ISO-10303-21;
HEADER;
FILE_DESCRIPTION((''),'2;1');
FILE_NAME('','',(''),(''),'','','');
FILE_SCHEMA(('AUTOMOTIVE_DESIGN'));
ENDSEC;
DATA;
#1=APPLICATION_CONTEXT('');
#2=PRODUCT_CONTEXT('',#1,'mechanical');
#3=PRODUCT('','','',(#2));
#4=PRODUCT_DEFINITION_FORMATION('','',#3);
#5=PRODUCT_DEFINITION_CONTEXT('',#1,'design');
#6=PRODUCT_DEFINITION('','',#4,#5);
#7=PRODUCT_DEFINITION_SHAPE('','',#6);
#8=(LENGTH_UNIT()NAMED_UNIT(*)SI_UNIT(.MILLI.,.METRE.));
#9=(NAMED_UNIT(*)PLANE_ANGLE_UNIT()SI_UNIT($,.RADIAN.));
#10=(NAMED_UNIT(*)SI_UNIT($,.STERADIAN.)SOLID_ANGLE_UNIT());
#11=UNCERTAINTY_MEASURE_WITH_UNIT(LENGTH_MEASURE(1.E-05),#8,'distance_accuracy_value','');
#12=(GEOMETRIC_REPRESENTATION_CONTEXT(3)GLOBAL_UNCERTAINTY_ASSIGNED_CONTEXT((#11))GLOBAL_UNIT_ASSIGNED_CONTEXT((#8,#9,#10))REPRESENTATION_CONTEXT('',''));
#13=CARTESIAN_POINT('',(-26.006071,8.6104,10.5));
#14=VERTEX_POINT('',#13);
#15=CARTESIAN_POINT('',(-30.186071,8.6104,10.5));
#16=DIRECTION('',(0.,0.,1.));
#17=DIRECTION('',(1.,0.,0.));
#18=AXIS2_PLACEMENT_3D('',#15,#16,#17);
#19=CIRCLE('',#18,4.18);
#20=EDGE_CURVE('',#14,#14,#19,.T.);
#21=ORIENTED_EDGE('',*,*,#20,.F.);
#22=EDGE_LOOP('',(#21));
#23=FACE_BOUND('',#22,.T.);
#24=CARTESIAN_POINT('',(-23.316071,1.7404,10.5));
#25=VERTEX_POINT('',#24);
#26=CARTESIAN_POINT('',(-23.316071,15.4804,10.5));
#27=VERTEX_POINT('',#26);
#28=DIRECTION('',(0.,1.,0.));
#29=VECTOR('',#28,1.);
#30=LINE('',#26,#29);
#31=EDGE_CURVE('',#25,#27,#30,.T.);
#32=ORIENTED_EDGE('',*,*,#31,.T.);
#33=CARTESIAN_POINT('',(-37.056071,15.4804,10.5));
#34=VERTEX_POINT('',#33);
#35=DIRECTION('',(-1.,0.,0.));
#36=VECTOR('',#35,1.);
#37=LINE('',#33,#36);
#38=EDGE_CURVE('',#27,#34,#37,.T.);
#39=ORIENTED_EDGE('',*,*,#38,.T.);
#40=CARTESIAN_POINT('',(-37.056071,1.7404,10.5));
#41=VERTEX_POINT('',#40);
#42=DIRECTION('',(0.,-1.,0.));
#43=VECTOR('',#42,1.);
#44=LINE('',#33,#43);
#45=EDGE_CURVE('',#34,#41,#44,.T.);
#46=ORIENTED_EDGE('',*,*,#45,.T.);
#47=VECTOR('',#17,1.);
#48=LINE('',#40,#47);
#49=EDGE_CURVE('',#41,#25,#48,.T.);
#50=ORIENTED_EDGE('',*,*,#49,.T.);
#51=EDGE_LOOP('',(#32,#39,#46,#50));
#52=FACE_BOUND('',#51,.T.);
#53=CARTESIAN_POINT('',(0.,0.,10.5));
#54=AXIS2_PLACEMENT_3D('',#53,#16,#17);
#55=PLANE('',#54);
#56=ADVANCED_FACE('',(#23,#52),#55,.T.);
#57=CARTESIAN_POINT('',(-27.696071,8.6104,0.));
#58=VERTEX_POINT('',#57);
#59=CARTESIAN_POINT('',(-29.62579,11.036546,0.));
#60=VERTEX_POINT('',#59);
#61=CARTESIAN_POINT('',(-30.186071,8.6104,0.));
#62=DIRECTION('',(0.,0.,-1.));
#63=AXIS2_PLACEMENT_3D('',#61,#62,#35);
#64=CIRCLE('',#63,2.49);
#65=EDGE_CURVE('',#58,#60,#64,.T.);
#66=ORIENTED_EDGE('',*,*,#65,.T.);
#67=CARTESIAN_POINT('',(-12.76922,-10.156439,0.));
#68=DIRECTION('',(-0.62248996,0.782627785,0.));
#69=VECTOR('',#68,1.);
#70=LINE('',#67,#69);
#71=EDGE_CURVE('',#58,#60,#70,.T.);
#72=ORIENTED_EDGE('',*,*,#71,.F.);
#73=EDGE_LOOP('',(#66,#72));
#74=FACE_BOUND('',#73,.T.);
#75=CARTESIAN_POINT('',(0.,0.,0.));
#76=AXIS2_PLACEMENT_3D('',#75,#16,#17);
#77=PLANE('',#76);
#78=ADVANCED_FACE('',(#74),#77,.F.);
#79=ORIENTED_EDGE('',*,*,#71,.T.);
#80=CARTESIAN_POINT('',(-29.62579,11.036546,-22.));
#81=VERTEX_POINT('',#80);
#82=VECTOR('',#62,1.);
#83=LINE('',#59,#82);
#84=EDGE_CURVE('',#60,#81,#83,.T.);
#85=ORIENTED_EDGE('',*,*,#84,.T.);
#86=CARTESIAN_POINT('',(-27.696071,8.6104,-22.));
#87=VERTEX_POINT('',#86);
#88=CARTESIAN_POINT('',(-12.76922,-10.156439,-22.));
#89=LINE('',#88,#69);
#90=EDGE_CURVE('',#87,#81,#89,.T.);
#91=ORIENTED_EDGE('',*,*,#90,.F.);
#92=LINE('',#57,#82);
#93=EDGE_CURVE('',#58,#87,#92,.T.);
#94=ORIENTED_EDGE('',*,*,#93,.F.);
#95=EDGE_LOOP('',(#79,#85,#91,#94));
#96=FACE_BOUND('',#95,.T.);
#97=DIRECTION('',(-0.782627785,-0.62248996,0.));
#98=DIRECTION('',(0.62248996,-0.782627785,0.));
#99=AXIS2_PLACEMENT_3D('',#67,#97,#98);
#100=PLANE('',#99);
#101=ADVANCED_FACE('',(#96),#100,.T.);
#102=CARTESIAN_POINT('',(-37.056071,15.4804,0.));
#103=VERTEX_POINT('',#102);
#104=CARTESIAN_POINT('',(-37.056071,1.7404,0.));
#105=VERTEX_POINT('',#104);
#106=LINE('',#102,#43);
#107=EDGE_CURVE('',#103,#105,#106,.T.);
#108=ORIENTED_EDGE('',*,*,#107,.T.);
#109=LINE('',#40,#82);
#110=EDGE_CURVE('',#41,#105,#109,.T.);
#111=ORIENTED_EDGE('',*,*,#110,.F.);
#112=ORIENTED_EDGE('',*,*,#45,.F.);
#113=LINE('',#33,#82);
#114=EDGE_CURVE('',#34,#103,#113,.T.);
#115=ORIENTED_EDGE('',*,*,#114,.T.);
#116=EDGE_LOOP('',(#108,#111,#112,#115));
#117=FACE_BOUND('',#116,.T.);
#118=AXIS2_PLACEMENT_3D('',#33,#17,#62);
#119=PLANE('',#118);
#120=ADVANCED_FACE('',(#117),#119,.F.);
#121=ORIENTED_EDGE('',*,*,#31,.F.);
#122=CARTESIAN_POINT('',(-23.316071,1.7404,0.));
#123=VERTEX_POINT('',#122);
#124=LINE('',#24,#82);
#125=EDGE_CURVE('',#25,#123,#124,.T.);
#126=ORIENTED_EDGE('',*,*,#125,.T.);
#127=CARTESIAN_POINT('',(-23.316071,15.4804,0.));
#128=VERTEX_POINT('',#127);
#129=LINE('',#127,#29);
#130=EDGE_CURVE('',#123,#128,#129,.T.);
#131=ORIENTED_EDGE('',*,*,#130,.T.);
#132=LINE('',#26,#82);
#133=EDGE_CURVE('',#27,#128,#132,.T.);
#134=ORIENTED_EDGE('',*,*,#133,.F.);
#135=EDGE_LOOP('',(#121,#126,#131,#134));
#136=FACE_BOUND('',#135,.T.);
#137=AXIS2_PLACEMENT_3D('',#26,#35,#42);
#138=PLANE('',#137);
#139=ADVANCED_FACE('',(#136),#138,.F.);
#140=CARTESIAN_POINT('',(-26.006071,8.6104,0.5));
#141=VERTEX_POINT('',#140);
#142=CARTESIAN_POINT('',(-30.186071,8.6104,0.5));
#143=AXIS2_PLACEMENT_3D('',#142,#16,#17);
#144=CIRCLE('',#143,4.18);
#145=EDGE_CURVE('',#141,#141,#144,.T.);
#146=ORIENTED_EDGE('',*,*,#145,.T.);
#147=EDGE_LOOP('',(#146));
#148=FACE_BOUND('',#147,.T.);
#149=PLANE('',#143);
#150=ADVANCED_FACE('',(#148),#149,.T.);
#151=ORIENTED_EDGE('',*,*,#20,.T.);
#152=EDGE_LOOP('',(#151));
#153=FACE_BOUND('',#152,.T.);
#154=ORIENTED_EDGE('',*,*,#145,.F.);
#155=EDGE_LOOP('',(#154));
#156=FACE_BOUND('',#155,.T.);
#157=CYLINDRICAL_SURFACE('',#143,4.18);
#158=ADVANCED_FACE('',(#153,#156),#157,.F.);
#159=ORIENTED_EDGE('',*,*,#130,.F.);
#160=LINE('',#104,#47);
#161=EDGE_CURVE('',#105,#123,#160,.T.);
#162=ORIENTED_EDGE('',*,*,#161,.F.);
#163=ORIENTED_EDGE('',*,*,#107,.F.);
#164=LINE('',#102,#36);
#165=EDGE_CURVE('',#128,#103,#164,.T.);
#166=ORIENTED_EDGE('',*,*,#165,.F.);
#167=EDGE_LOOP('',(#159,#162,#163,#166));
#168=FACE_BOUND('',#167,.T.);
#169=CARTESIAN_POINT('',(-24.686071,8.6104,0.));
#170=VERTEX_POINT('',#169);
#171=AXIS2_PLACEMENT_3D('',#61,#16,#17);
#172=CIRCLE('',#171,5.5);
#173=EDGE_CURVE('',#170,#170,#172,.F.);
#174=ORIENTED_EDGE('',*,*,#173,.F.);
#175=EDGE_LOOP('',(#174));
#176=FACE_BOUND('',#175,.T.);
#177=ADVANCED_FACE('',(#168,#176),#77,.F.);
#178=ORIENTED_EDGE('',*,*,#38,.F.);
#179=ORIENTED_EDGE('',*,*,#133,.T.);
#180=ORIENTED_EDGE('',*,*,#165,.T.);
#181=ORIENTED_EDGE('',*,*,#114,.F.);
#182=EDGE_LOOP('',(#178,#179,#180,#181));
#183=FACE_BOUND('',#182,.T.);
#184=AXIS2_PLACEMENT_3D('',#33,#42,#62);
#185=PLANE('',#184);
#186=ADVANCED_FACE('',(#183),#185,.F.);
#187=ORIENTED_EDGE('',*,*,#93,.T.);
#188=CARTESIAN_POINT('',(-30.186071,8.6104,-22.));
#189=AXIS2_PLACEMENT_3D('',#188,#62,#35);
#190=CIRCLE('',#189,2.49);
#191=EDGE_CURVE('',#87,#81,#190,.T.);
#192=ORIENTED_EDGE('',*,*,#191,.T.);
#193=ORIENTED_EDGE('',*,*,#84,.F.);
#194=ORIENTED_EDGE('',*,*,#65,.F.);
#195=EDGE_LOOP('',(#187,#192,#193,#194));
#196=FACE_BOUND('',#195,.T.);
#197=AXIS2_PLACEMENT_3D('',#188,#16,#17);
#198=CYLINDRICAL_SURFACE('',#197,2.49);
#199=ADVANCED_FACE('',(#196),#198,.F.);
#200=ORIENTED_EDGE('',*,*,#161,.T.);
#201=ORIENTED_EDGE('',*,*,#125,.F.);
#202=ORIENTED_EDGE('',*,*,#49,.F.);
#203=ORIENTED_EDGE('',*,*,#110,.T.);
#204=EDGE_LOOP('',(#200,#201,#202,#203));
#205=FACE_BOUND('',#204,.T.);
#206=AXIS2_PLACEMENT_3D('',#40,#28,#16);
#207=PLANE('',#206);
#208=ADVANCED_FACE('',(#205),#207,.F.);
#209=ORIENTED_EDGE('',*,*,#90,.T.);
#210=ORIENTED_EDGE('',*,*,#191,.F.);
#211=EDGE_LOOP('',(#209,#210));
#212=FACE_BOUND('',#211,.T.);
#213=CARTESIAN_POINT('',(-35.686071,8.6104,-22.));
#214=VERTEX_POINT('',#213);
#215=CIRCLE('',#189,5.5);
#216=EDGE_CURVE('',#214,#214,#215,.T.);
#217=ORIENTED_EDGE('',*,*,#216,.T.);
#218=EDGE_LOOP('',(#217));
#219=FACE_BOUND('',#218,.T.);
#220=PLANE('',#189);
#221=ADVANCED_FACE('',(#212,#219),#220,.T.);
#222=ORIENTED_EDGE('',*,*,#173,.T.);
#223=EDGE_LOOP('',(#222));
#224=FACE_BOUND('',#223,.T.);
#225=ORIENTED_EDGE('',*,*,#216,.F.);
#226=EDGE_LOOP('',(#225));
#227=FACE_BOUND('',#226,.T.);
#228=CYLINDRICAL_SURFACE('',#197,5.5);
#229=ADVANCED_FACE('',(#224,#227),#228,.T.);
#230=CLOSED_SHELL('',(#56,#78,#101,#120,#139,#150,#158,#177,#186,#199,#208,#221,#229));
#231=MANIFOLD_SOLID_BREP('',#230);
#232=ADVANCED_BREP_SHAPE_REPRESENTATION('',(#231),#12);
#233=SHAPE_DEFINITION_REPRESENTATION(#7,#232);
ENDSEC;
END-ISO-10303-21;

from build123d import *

# Parameters (mm, degrees)
ESQUISSE1_W             = 13.74
ESQUISSE1_H             = 13.74
BOSS_EXTRU_1_DEPTH      = 10.5
ESQUISSE3_R             = 4.18
ENL_V_MAT_EXTRU_2_DEPTH = 10
ESQUISSE2_R             = 2.49
BOSS_EXTRU_4_DEPTH      = 22
ENL_V_START             = -22
ENL_V_MAT_EXTRU_4_DEPTH = 22
ESQUISSE6_R             = 5.5
ESQUISSE6_R_2           = 2.49
BOSS_EXTRU_5_DEPTH      = 22


with BuildPart() as part:
    # Esquisse1 → Boss.-Extru.1 (new body)
    with BuildSketch(Plane.XY):
        with Locations((-30.186071131, 8.6104)):
            Rectangle(ESQUISSE1_W, ESQUISSE1_H)
    extrude(amount=BOSS_EXTRU_1_DEPTH)

    # Esquisse3 → Enlèv. mat.-Extru.2 (cut)
    with BuildSketch(Plane.XY.offset(10.5)):
        with Locations((-30.186071131, 8.6104)):
            Circle(ESQUISSE3_R)
    extrude(amount=-ENL_V_MAT_EXTRU_2_DEPTH, mode=Mode.SUBTRACT)

    # Esquisse2 → Boss.-Extru.4 (add)
    with BuildSketch(Plane(origin=(0, 0, 0), x_dir=(-1, 0, 0), z_dir=(0, 0, -1))):
        with Locations(Location((30.186071131, 8.6104, 0), (0, 0, 180))):
            Circle(ESQUISSE2_R)
    extrude(amount=BOSS_EXTRU_4_DEPTH)

    # Esquisse5 → Enlèv. mat.-Extru.4 (cut)
    with BuildSketch(Plane(origin=(0, 0, -22), x_dir=(-1, 0, 0), z_dir=(0, 0, -1)).offset(ENL_V_START)):
        with BuildLine():
            Line((27.696071131, 8.6104), (29.625790006, 11.036546134))
            ThreePointArc((29.625790006, 11.036546134), (32.134814315, 7.0604), (27.696071131, 8.6104))
        make_face()
    extrude(amount=ENL_V_MAT_EXTRU_4_DEPTH, mode=Mode.SUBTRACT)

    # Esquisse6 → Boss.-Extru.5 (add)
    with BuildSketch(Plane(origin=(0, 0, 0), x_dir=(-1, 0, 0), z_dir=(0, 0, -1))):
        with Locations(Location((30.186071131, 8.6104, 0), (0, 0, 180))):
            Circle(ESQUISSE6_R)
        with Locations((30.186071131, 8.6104)):
            Circle(ESQUISSE6_R_2, mode=Mode.SUBTRACT)
    extrude(amount=BOSS_EXTRU_5_DEPTH)


solid = part.part
